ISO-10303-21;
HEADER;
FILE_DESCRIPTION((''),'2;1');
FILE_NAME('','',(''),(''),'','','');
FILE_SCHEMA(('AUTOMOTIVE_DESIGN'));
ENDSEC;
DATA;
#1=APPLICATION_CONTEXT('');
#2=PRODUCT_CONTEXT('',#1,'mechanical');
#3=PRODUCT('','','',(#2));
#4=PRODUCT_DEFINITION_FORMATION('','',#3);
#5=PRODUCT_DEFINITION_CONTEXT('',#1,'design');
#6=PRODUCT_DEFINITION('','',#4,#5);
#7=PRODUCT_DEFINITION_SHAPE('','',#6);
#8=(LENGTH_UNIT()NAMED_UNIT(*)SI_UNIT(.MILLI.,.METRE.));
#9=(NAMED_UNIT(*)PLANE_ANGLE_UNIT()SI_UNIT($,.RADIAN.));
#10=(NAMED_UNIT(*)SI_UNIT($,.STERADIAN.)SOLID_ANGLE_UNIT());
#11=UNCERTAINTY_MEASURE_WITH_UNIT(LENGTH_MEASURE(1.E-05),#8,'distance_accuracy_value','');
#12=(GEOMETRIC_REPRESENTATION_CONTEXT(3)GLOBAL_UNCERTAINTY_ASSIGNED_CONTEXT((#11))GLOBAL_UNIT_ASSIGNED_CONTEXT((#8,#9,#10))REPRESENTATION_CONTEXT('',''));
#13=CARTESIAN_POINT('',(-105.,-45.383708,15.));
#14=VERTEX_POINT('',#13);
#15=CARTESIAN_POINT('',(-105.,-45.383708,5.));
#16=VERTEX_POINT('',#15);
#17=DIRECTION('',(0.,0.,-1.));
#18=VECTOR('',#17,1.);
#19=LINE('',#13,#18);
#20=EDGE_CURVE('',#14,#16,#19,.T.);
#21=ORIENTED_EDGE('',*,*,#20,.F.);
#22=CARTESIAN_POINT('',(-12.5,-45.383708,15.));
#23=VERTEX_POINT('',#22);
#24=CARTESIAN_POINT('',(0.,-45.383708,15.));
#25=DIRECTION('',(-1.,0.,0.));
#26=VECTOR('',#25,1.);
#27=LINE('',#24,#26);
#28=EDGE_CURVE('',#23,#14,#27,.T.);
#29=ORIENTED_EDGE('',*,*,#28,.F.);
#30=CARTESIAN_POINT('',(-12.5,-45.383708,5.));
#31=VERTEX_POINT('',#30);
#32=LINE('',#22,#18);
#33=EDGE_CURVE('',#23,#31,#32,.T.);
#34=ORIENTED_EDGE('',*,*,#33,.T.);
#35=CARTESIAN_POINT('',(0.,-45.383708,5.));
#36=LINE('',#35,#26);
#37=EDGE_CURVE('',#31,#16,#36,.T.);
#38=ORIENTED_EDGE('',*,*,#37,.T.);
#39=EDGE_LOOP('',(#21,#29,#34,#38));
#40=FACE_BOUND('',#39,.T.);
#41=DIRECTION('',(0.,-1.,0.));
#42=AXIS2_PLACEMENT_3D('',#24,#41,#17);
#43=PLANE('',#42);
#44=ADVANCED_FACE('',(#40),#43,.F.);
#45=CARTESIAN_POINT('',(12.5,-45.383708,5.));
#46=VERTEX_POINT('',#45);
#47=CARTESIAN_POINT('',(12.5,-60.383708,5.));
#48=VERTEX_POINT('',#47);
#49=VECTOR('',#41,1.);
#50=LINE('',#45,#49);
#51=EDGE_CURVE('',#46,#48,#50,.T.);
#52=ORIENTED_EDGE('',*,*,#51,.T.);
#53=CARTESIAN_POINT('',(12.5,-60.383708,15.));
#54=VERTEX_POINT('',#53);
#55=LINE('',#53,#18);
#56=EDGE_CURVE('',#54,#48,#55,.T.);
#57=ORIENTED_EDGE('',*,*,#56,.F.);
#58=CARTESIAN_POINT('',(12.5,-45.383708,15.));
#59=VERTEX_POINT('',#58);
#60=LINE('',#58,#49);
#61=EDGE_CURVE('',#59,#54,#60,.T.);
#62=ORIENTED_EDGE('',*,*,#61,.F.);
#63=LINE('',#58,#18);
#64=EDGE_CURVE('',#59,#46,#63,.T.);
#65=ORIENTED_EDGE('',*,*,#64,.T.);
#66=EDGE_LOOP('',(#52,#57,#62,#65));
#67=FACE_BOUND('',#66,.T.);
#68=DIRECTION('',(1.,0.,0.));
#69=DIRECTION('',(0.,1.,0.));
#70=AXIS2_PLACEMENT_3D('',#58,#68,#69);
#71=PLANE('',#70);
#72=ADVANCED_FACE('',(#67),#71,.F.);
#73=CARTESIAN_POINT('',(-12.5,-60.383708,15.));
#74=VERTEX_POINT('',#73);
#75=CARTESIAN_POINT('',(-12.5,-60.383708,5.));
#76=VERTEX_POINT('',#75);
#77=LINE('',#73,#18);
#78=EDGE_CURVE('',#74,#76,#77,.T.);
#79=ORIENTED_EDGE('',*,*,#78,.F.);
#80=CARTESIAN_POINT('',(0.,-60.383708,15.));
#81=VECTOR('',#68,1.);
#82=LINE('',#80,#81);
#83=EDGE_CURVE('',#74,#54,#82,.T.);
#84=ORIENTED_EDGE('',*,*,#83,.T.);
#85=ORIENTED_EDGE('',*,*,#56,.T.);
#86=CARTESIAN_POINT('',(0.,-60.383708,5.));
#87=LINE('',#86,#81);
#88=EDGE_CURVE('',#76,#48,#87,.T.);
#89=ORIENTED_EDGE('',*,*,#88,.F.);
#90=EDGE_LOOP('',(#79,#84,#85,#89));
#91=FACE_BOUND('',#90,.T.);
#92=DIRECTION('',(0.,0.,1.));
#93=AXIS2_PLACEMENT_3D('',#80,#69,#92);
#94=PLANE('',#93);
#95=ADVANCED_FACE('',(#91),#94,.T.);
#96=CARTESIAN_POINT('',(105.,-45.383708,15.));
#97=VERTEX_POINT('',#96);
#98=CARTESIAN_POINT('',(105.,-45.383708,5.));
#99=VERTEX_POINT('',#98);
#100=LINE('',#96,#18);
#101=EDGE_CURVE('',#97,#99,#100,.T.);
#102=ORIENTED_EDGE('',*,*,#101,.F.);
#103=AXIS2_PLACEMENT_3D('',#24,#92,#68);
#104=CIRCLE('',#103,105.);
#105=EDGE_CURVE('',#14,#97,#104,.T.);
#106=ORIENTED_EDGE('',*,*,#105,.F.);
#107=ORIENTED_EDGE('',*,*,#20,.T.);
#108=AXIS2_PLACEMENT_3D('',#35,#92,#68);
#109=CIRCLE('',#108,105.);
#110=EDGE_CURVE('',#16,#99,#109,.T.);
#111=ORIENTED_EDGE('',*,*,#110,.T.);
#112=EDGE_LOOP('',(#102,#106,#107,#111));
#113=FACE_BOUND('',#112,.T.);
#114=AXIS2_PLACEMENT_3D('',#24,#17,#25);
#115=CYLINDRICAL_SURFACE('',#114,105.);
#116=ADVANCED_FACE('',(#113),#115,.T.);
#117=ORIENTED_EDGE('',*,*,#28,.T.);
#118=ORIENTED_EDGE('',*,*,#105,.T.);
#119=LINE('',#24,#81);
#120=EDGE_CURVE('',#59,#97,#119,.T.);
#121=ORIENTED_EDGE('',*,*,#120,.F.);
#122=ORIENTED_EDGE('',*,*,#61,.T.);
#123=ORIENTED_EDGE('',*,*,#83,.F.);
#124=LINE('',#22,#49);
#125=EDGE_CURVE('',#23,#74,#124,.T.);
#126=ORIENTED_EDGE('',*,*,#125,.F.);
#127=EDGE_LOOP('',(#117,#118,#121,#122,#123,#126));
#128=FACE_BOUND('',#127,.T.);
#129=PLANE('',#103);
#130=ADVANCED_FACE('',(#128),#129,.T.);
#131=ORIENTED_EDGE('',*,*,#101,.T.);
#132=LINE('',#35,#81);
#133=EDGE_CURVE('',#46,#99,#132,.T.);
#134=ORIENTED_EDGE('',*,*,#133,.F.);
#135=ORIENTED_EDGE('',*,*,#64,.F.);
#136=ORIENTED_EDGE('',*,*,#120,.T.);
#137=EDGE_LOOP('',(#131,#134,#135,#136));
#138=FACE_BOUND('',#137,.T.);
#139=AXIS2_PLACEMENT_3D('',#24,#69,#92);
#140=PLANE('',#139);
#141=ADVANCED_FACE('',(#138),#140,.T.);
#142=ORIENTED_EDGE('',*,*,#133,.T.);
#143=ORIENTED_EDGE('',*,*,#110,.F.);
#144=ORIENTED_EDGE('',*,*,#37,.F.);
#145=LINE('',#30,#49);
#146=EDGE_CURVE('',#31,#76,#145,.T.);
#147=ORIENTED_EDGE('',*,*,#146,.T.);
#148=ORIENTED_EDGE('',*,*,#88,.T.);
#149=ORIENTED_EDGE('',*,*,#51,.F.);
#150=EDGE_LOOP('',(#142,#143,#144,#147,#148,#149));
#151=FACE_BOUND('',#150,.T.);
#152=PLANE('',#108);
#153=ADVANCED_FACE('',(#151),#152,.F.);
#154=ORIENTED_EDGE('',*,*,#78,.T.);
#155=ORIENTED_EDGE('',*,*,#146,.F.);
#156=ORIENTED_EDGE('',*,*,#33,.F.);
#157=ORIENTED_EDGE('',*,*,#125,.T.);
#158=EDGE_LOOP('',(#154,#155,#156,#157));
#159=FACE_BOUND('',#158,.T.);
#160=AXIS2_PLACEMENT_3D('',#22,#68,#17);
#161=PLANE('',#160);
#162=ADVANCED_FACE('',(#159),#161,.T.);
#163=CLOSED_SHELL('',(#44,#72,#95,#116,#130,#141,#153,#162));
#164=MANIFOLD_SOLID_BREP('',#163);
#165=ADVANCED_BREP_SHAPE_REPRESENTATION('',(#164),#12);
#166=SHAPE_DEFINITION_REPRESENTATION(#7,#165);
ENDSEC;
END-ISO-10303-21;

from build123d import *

# Parameters (mm, degrees)
EXTRUDE_2_DEPTH = 20
SCALE_1_SCALE   = 0.5


with BuildPart() as part:
    # 草图1 → 凸台-拉伸2 (new body)
    with BuildSketch(Plane.XY):
        with BuildLine():
            Line((-25, -30), (-25, 0))
            Line((-25, 0), (-210, 0))
            ThreePointArc((-210, 0), (0, -210), (210, 0))
            Line((210, 0), (25, 0))
            Line((25, 0), (25, -30))
            Line((25, -30), (0, -30))
            Line((0, -30), (-25, -30))
        make_face()
    extrude(amount=EXTRUDE_2_DEPTH)


with BuildPart() as part_1:
    # 缩放比例1: scaled about (0, -90.767415576, 10)
    add(part.part.scale(SCALE_1_SCALE).moved(Location((0, -45.383707788, 5))))


solid = part_1.part
